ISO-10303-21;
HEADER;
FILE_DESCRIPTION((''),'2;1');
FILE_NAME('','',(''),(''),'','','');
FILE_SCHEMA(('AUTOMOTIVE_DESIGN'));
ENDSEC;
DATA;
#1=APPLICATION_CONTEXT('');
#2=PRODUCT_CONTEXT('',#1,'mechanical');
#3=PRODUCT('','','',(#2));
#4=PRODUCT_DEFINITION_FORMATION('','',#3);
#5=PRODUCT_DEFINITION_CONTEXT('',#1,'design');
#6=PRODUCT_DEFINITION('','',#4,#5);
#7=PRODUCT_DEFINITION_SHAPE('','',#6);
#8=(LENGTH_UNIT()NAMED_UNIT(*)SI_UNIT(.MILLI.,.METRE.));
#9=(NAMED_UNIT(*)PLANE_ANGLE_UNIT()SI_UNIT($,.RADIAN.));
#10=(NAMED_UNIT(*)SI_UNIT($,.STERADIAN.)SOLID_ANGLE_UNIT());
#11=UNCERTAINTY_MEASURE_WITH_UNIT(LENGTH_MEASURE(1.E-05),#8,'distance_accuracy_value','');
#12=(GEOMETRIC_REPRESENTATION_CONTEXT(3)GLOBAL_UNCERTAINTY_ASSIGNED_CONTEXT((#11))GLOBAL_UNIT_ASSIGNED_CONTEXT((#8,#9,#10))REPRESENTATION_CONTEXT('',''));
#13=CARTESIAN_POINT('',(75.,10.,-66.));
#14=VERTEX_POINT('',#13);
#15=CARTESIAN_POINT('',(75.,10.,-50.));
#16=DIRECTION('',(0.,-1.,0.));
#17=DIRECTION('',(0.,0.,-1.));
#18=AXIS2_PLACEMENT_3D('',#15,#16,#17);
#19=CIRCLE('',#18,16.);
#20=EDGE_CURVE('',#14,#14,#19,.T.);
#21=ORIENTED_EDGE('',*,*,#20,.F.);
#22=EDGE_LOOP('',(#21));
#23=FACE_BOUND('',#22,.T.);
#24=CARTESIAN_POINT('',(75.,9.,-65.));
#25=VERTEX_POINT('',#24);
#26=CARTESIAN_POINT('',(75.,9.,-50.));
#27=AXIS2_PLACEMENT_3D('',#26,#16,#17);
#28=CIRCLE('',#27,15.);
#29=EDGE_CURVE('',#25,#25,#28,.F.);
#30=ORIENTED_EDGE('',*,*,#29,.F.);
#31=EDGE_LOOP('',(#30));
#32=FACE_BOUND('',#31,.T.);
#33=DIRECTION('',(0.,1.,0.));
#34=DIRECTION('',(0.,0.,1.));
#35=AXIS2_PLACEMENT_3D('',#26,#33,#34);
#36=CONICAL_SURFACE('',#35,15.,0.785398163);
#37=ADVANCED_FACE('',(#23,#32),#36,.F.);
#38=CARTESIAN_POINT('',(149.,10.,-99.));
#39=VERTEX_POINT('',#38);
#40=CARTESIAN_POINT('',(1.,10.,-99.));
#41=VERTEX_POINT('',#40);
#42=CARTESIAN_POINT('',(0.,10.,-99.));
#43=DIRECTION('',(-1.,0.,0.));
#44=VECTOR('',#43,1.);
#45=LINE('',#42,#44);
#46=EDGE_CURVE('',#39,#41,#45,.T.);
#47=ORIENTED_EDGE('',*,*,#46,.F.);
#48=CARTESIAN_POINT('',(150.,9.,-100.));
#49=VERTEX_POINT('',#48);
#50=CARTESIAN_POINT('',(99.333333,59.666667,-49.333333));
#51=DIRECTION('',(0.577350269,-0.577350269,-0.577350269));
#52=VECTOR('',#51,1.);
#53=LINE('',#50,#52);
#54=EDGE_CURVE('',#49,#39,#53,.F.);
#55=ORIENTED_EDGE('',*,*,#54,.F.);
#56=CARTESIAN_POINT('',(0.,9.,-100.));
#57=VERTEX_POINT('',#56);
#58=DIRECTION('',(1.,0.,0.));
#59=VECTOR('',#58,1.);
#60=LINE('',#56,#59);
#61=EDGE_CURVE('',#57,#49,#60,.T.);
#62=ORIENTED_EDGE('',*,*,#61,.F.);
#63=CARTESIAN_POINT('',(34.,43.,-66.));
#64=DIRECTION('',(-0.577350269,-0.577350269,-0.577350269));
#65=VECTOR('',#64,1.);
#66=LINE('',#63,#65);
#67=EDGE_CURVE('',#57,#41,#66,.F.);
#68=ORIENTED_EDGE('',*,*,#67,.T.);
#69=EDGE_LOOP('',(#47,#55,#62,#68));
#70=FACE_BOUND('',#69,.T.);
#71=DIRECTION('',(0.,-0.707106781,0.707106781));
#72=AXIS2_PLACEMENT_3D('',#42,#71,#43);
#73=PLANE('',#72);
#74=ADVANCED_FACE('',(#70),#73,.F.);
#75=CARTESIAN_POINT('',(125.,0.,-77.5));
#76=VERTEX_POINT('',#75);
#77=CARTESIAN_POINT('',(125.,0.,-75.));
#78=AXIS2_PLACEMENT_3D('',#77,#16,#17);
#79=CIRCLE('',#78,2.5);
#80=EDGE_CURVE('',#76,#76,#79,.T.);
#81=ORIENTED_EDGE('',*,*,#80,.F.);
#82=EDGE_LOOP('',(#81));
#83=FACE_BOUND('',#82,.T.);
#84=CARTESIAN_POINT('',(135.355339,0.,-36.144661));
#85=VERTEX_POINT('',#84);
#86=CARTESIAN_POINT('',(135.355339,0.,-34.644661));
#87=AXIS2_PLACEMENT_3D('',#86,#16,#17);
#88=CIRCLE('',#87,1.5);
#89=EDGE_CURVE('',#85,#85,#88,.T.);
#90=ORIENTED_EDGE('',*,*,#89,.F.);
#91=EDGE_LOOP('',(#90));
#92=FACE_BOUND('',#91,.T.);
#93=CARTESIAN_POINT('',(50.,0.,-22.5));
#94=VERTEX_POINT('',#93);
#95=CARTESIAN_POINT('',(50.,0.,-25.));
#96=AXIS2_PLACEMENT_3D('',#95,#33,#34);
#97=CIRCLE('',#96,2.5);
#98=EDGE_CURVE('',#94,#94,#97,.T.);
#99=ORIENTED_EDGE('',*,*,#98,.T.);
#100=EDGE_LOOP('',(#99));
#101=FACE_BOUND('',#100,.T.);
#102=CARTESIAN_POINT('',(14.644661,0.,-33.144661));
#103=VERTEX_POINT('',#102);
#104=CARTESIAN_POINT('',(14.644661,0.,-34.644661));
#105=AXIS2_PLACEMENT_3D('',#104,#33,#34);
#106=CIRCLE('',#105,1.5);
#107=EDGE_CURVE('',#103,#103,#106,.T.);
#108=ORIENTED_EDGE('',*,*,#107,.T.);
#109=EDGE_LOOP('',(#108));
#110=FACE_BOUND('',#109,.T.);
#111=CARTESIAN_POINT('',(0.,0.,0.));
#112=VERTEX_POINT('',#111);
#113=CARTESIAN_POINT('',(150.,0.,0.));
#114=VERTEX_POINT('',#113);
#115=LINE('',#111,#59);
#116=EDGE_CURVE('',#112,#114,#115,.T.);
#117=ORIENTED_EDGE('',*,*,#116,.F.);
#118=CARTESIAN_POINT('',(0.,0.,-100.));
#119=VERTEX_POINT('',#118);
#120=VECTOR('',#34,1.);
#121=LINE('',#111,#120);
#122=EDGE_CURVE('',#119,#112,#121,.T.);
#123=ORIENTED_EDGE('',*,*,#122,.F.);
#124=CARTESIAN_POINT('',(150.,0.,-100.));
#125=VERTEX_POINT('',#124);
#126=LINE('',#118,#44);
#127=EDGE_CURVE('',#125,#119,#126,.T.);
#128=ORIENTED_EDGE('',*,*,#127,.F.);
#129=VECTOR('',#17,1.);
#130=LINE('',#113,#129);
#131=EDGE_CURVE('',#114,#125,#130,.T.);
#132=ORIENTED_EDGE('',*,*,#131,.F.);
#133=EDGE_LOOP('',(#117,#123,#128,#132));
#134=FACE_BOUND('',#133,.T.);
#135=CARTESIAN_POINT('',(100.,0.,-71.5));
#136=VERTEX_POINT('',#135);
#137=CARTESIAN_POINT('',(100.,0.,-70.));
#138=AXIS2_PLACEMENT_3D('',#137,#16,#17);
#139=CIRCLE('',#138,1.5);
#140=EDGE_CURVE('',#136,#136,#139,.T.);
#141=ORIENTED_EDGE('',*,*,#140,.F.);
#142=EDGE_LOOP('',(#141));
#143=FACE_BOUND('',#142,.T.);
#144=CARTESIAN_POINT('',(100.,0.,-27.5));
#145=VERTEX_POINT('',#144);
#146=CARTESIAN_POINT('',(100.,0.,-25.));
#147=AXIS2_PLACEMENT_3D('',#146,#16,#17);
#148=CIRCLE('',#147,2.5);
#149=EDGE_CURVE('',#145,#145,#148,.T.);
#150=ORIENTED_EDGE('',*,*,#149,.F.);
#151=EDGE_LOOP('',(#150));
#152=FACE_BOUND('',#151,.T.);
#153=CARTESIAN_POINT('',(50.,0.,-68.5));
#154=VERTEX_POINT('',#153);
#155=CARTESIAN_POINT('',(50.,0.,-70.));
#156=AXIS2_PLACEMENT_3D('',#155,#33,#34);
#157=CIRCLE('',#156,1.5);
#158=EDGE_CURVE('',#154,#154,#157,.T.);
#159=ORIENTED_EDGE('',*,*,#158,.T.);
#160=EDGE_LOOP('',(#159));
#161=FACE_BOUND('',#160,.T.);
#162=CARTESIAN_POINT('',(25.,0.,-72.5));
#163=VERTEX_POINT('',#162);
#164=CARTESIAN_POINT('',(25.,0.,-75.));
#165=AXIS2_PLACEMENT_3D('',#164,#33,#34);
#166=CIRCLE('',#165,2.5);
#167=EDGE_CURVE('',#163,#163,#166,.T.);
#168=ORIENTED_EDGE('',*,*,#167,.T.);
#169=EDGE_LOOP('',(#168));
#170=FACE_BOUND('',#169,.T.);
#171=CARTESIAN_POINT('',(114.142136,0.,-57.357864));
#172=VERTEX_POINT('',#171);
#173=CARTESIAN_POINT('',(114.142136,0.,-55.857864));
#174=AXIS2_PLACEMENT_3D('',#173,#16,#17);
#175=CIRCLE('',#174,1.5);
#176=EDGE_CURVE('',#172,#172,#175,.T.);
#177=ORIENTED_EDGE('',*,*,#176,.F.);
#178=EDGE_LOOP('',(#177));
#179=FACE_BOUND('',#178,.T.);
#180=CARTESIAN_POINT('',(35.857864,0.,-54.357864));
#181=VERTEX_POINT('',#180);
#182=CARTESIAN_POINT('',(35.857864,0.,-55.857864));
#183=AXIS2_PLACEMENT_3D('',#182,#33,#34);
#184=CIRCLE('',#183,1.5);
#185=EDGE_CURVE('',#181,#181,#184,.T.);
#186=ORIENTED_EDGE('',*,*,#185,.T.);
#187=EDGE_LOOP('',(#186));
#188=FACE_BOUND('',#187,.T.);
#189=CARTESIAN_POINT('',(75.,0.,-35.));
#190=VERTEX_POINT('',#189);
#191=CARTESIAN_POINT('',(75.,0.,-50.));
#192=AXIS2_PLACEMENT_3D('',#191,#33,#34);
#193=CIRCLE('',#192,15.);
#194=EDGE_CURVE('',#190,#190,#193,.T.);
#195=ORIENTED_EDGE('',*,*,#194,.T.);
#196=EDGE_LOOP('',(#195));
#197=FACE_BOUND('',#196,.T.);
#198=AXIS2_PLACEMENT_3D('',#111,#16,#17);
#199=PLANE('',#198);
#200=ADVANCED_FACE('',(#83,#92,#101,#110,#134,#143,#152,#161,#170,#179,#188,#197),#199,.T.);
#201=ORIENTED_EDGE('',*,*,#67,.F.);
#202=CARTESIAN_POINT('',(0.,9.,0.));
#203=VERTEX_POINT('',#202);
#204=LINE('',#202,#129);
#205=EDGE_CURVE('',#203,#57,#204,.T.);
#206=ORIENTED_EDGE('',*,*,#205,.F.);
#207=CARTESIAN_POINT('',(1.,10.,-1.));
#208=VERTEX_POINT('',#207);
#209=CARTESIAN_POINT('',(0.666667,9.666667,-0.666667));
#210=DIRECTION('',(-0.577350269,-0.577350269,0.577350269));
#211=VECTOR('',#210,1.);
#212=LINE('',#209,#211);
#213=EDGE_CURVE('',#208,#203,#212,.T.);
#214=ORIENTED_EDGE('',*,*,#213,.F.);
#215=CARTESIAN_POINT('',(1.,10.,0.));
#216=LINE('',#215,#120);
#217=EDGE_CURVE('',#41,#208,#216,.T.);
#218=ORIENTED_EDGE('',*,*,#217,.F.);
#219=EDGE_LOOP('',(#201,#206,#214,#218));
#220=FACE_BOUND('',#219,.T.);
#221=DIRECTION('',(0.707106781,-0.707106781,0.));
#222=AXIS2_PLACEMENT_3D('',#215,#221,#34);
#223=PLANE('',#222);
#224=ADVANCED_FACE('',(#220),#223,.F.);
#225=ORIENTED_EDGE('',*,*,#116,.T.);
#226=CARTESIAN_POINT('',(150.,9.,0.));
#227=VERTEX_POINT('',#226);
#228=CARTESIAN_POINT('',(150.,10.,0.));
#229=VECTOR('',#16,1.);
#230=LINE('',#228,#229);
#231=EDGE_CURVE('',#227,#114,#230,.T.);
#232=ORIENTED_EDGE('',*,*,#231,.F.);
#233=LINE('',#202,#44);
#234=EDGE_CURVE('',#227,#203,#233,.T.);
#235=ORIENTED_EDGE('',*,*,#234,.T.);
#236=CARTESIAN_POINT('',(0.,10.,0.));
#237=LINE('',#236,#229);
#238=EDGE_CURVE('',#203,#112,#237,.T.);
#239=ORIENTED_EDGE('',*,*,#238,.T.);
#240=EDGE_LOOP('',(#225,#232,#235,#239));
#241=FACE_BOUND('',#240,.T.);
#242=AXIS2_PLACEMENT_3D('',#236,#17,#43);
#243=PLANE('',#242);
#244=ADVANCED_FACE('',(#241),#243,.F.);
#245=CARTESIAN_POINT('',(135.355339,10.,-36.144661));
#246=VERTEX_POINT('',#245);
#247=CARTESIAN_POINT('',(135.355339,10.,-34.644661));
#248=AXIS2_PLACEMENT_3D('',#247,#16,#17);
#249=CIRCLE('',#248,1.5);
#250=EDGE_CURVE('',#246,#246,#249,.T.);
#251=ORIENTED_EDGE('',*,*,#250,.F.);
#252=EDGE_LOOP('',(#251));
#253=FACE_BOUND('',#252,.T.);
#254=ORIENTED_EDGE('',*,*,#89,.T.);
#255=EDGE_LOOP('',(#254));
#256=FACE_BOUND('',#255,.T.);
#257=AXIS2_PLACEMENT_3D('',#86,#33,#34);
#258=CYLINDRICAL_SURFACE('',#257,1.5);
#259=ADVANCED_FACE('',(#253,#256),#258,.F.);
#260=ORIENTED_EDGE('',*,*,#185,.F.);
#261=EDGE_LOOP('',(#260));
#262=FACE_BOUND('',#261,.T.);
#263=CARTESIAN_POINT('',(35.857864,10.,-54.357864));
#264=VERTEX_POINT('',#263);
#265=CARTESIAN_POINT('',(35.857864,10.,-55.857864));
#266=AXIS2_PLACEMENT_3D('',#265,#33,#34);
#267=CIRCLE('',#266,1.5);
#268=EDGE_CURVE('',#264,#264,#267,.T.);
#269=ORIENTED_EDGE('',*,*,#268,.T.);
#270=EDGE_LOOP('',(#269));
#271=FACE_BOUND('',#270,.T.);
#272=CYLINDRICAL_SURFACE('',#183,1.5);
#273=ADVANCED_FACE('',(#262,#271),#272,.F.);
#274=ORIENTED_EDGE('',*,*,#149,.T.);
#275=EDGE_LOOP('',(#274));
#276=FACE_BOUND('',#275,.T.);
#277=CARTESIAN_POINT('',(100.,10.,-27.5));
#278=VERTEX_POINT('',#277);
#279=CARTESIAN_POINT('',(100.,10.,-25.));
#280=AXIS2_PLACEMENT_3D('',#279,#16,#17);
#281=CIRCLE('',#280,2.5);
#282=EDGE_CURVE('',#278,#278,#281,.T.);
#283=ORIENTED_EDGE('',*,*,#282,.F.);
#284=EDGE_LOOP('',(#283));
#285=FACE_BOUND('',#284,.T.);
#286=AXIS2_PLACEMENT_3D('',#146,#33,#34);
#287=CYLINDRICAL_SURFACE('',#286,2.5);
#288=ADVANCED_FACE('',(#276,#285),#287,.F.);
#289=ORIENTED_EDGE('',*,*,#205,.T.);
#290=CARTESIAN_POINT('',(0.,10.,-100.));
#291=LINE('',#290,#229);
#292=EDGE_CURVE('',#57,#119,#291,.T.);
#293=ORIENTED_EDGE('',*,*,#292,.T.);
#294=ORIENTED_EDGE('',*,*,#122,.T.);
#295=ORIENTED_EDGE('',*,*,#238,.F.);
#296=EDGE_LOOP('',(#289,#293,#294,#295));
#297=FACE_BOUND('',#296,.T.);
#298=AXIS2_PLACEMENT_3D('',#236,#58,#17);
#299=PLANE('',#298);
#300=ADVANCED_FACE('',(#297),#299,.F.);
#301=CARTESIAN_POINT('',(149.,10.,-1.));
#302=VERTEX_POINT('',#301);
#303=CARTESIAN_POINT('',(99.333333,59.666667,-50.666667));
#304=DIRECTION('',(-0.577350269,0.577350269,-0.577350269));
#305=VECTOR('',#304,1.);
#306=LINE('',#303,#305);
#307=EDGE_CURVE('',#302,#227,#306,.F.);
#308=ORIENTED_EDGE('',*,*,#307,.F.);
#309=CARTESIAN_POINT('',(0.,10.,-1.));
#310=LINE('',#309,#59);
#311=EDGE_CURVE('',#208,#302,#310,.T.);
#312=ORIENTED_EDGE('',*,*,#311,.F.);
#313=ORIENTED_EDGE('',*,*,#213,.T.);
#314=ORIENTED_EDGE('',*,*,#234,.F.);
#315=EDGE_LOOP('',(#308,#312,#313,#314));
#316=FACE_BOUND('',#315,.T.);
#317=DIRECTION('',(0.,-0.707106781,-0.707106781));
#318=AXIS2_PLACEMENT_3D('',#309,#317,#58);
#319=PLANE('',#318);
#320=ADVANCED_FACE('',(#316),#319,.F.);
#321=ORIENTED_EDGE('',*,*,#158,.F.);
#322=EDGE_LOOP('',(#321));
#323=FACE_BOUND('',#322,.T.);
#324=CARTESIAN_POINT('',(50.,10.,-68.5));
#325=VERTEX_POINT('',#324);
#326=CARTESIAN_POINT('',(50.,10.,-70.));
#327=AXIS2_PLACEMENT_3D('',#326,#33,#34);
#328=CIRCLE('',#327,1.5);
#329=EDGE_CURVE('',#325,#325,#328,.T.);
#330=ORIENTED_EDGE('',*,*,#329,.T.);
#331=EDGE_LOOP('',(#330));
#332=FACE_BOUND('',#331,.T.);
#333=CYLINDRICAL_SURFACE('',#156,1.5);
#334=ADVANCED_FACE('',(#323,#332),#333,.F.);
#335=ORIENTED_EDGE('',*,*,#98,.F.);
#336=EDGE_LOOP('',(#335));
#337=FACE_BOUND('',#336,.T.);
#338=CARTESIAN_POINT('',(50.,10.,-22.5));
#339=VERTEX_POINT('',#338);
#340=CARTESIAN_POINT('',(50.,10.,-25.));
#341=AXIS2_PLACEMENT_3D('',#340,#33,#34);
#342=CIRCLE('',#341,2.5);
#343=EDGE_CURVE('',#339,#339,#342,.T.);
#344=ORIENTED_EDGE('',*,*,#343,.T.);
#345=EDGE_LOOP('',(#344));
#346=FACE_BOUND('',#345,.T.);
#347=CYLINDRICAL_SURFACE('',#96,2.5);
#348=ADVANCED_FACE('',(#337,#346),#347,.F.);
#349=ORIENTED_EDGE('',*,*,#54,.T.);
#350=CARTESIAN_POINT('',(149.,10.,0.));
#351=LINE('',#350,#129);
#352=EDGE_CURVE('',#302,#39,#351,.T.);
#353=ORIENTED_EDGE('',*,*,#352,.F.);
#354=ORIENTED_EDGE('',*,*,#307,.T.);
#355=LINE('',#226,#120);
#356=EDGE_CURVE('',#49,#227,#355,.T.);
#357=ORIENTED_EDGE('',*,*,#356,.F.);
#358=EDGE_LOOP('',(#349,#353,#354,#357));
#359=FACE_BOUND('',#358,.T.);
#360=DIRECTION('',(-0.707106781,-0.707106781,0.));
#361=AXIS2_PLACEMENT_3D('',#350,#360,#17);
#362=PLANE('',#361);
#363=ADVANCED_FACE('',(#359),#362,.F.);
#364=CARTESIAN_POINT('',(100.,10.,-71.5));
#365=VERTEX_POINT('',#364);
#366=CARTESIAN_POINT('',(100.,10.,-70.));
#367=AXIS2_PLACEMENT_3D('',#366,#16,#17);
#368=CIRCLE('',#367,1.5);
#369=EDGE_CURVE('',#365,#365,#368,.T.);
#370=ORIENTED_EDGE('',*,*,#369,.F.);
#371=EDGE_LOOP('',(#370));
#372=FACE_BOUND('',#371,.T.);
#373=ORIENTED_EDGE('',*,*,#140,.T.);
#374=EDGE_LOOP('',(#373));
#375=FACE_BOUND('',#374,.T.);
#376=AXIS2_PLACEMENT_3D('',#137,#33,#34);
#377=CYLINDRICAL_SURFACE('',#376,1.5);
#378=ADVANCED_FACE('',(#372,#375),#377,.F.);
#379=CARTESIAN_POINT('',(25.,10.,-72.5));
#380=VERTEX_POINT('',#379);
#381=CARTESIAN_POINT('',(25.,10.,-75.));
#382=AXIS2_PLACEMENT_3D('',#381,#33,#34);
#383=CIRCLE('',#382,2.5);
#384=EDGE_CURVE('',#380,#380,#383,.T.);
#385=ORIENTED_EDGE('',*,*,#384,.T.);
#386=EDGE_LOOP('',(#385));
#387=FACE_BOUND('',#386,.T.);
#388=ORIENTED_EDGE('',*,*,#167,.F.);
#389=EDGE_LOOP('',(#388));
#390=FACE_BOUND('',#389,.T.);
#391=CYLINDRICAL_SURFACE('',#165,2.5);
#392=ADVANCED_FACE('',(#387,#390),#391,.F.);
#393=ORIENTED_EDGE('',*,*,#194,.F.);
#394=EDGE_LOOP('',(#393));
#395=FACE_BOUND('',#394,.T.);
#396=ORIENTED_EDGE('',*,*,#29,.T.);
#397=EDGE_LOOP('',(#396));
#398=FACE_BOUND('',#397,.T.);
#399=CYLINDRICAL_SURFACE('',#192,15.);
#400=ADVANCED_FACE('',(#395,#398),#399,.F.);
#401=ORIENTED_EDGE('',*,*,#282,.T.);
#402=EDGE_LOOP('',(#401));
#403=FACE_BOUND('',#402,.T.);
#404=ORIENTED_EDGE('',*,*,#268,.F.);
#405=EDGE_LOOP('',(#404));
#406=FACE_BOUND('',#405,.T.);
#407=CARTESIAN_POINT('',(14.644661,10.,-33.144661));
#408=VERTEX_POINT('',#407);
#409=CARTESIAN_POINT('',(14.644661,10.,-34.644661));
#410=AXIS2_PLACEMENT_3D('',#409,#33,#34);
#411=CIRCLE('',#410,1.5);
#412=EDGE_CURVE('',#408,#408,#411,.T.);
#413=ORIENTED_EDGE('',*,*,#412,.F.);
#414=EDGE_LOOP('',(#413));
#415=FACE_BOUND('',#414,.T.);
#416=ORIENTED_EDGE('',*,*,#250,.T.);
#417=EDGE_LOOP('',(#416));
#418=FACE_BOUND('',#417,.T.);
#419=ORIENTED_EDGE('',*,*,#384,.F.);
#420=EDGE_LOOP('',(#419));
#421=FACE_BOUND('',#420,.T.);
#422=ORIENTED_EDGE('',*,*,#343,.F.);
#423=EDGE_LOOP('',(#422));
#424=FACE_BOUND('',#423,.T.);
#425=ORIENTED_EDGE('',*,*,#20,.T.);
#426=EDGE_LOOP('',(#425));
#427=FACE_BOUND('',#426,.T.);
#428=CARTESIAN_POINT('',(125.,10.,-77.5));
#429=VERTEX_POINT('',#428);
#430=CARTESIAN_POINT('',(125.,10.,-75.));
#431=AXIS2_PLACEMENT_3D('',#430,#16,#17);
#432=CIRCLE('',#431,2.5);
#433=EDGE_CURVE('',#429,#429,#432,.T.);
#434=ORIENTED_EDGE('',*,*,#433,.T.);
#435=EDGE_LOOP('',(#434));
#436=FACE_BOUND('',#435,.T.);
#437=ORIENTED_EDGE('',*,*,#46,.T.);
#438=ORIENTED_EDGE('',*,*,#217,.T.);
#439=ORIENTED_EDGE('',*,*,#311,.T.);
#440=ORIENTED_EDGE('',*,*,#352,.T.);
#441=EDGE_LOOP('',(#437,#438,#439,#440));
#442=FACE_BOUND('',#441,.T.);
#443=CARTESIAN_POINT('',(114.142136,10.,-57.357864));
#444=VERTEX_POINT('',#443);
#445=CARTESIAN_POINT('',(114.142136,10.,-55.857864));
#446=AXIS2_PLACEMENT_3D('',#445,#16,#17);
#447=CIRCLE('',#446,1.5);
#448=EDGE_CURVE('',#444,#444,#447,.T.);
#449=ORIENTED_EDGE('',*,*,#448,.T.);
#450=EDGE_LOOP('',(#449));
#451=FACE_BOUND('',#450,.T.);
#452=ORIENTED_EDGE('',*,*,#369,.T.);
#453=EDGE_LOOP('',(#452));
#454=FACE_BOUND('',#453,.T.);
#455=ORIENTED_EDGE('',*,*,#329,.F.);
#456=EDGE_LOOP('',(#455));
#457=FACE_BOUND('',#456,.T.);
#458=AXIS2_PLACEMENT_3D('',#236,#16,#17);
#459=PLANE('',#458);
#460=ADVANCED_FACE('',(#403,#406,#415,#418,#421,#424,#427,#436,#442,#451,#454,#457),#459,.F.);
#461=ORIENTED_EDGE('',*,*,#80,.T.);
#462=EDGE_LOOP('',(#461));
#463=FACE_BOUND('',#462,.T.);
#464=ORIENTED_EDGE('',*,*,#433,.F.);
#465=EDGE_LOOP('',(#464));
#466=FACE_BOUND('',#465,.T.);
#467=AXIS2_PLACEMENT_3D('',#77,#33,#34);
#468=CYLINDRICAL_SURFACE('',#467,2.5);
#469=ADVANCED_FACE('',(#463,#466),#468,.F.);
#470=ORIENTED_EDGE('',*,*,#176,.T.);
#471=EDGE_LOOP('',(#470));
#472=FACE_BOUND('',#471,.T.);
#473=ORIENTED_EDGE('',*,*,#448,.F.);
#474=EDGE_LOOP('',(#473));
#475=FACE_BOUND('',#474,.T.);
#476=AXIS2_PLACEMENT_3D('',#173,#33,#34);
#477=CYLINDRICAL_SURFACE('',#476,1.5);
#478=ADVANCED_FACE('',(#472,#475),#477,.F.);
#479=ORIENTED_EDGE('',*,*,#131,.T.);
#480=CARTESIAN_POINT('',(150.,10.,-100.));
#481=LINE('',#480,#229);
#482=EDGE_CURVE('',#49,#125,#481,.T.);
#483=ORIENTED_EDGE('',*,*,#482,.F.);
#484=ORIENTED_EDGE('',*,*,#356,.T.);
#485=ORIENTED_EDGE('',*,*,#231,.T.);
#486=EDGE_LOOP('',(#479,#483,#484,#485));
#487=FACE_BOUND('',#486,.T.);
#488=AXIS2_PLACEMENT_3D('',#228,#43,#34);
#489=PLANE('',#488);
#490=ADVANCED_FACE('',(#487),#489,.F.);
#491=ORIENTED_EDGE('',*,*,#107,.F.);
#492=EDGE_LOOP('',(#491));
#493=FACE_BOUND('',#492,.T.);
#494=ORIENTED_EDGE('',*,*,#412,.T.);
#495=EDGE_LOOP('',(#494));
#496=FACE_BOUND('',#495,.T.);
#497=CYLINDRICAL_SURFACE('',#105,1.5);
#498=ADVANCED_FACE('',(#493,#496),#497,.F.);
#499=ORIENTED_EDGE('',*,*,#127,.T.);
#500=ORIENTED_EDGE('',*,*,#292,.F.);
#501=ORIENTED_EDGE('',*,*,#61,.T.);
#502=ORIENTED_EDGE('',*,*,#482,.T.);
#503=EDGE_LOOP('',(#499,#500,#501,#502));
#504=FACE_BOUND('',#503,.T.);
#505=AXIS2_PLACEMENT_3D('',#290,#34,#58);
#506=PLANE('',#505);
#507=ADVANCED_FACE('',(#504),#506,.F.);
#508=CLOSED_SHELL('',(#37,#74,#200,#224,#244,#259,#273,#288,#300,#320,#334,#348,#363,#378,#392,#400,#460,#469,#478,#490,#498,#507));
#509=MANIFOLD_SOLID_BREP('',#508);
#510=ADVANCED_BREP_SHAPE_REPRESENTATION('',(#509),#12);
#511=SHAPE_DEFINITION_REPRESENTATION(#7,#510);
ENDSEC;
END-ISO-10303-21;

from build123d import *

# Parameters (mm, degrees)
SKETCH1_W           = 150
SKETCH1_H           = 100
BOSS_EXTRUDE1_DEPTH = 10
SKETCH2_R           = 15
SKETCH2_R_2         = 1.5
SKETCH2_R_3         = 2.5
CUT_EXTRUDE1_DEPTH  = 181.554700853
CHAMFER1_SIZE       = 1


with BuildPart() as part:
    # Sketch1 → Boss-Extrude1 (new body)
    with BuildSketch(Plane(origin=(0, 0, 0), x_dir=(1, 0, 0), z_dir=(0, 1, 0))):
        with Locations((75, 50)):
            Rectangle(SKETCH1_W, SKETCH1_H)
    extrude(amount=BOSS_EXTRUDE1_DEPTH)

    # Sketch2 → Cut-Extrude1 (cut, through all)
    with BuildSketch(Plane(origin=(0, 10, 0), x_dir=(1, 0, 0), z_dir=(0, 1, 0))):
        with Locations(Location((75, 50, 0), (0, 0, 270))):
            Circle(SKETCH2_R)
        with Locations(Location((100, 70, 0), (0, 0, 90))):
            Circle(SKETCH2_R_2)
        with Locations(Location((125, 75, 0), (0, 0, 90))):
            Circle(SKETCH2_R_3)
        with Locations(Location((114.142135624, 55.857864376, 0), (0, 0, 90))):
            Circle(SKETCH2_R_2)
        with Locations(Location((135.355339059, 34.644660941, 0), (0, 0, 90))):
            Circle(SKETCH2_R_2)
        with Locations(Location((100, 25, 0), (0, 0, 90))):
            Circle(SKETCH2_R_3)
        with Locations(Location((50, 25, 0), (0, 0, 270))):
            Circle(SKETCH2_R_3)
        with Locations(Location((14.644660941, 34.644660941, 0), (0, 0, 270))):
            Circle(SKETCH2_R_2)
        with Locations(Location((35.857864376, 55.857864376, 0), (0, 0, 270))):
            Circle(SKETCH2_R_2)
        with Locations(Location((50, 70, 0), (0, 0, 270))):
            Circle(SKETCH2_R_2)
        with Locations(Location((25, 75, 0), (0, 0, 270))):
            Circle(SKETCH2_R_3)
    extrude(amount=-CUT_EXTRUDE1_DEPTH, mode=Mode.SUBTRACT)

    # Chamfer1
    chamfer1_edges = [part.edges().sort_by_distance(p)[0] for p in [
        (150, 10, -50),
        (75, 10, -100),
        (75, 10, -65),
        (0, 10, -50),
        (75, 10, 0),
    ]]
    chamfer(chamfer1_edges, length=CHAMFER1_SIZE)


solid = part.part
